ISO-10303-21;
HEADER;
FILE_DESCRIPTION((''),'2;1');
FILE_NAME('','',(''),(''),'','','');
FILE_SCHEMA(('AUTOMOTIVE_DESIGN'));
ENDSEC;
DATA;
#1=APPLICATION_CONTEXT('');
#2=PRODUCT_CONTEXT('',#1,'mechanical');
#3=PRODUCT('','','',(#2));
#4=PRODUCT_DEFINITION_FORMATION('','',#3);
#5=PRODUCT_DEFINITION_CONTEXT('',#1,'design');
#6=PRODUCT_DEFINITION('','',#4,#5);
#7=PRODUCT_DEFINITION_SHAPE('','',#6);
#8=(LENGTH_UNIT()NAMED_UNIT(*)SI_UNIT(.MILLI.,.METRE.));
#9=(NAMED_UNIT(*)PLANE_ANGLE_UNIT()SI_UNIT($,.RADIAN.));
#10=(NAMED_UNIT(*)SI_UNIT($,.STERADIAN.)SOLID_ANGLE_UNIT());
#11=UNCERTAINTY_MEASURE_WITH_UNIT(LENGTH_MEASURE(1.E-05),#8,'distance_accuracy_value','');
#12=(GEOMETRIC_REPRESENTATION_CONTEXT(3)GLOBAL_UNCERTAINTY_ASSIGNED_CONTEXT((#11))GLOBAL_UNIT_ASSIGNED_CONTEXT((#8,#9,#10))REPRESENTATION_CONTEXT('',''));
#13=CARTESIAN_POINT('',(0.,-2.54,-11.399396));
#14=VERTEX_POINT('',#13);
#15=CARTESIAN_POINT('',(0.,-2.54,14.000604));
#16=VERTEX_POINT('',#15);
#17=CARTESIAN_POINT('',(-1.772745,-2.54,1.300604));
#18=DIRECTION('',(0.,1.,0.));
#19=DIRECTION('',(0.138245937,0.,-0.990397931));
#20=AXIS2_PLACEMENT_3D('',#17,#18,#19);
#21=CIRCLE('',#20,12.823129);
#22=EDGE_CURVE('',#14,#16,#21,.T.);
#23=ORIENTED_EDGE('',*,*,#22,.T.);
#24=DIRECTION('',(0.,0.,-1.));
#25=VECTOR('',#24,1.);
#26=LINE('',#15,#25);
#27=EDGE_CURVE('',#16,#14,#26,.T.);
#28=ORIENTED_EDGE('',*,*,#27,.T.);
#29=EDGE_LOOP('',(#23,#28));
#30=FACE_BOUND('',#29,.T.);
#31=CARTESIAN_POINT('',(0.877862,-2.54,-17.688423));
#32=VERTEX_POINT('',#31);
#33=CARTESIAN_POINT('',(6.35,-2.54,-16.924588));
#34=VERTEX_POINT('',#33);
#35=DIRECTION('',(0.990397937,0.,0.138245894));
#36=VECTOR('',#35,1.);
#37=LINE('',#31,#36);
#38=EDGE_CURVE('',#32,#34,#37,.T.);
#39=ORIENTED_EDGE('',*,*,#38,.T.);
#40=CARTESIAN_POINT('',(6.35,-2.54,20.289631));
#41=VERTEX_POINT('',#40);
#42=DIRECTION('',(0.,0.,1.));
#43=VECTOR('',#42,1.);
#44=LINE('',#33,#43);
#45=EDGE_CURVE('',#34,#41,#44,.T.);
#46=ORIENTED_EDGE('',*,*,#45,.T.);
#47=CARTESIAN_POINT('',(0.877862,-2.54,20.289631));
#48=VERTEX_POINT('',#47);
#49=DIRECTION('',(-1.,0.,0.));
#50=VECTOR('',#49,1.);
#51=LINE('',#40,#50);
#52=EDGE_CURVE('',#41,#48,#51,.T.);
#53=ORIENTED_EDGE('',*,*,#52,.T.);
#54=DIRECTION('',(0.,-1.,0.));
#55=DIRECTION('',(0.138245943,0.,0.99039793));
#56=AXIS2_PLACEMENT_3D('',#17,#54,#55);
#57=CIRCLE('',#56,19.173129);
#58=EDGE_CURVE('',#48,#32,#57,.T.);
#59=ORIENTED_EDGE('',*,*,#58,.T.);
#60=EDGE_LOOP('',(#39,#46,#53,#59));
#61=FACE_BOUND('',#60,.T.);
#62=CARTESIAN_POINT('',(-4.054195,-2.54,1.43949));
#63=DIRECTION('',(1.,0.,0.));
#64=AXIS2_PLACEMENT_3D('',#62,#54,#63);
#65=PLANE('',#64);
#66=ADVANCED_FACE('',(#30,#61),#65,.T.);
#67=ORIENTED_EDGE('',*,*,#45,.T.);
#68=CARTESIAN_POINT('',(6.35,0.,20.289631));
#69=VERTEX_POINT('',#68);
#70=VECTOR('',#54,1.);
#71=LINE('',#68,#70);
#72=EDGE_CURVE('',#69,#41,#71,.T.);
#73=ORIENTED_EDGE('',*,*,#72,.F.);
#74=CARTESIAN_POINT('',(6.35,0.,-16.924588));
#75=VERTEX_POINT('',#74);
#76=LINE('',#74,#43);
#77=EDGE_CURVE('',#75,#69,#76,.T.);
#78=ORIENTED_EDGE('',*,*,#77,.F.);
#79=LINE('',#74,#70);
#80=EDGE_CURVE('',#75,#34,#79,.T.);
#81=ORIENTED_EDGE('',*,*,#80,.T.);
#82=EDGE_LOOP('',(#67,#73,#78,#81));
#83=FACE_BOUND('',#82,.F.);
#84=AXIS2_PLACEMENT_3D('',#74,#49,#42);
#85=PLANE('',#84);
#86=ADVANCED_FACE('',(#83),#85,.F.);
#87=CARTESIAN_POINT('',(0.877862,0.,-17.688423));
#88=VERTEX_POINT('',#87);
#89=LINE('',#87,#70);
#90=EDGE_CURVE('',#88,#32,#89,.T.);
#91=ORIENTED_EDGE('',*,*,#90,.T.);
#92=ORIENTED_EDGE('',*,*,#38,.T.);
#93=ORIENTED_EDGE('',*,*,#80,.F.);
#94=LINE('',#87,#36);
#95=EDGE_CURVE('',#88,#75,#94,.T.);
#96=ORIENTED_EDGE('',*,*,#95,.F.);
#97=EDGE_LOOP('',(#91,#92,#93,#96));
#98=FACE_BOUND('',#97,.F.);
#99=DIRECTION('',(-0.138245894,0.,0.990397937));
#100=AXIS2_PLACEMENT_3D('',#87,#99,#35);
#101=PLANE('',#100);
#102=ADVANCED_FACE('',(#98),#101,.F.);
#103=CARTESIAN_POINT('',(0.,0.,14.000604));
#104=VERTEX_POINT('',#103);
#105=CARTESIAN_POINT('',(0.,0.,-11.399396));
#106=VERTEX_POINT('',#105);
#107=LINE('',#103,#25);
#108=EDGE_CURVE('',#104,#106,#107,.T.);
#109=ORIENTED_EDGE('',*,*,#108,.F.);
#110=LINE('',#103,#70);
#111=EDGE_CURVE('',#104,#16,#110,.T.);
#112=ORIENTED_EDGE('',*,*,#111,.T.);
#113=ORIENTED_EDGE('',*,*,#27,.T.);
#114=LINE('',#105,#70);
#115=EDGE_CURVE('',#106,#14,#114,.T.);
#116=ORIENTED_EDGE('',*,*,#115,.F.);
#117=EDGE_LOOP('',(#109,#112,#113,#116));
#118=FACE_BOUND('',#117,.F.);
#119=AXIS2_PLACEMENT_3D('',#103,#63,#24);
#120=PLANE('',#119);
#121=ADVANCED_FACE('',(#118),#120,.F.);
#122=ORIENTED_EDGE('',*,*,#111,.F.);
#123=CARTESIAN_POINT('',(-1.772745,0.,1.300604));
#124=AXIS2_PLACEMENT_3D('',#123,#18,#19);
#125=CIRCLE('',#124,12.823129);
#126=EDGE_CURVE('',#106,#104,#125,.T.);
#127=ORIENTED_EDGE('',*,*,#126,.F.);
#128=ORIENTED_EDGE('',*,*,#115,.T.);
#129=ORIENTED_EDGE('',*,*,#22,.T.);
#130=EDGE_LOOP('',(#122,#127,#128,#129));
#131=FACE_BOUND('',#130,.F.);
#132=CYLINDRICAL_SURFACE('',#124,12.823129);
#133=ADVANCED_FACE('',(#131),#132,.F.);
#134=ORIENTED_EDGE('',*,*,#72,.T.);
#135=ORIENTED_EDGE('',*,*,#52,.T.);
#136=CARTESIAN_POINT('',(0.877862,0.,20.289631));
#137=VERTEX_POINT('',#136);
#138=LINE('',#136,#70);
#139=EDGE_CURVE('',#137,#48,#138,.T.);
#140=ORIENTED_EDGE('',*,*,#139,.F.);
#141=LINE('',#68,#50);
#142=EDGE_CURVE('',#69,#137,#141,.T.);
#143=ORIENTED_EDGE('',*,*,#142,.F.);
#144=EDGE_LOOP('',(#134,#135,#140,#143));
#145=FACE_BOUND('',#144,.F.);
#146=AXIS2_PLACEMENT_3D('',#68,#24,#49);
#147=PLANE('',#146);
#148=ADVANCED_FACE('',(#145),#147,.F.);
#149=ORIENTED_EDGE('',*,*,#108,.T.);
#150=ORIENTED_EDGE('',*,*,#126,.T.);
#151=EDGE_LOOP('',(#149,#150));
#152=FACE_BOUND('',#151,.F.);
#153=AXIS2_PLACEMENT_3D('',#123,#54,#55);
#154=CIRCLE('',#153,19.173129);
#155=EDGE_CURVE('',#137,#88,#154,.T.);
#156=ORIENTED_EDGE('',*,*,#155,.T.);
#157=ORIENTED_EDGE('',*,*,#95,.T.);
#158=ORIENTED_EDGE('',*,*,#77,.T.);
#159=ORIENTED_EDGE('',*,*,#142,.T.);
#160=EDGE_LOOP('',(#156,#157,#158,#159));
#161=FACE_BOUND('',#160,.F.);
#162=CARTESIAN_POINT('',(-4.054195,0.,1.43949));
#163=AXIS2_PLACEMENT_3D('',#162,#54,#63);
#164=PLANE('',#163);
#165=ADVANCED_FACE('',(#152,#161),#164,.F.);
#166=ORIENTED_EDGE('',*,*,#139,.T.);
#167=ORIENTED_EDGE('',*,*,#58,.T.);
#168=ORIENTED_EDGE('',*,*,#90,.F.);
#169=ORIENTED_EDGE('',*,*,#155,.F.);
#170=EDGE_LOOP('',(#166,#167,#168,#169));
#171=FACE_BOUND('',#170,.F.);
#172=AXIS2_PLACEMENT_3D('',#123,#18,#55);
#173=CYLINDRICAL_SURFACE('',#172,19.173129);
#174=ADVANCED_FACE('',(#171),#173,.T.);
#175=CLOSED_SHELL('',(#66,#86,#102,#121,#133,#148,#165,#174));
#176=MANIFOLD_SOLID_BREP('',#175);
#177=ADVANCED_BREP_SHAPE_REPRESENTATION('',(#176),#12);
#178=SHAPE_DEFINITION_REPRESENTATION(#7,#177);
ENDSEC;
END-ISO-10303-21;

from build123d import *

# Parameters (mm, degrees)
F1_DEPTH = 2.54


with BuildPart() as f1:
    # F0 (on Front) → F1 (new body)
    with BuildSketch(Plane.XZ):
        with BuildLine():
            Line((6.35, 20.289631), (0.877862, 20.289631))
            ThreePointArc((0.877862, 20.289631), (-20.945874, 1.300604), (0.877862, -17.688423))
            Line((0.877862, -17.688423), (6.35, -16.924588))
            Line((6.35, -16.924588), (6.35, -11.399396))
            Line((6.35, -11.399396), (6.35, 14.000604))
            Line((6.35, 14.000604), (6.35, 20.289631))
        make_face()
        with BuildLine():
            ThreePointArc((0, -11.399396), (-14.595874, 1.300604), (0, 14.000604))
            Line((0, 14.000604), (0, -11.399396))
        make_face(mode=Mode.SUBTRACT)
    extrude(amount=F1_DEPTH)


solid = f1.part
